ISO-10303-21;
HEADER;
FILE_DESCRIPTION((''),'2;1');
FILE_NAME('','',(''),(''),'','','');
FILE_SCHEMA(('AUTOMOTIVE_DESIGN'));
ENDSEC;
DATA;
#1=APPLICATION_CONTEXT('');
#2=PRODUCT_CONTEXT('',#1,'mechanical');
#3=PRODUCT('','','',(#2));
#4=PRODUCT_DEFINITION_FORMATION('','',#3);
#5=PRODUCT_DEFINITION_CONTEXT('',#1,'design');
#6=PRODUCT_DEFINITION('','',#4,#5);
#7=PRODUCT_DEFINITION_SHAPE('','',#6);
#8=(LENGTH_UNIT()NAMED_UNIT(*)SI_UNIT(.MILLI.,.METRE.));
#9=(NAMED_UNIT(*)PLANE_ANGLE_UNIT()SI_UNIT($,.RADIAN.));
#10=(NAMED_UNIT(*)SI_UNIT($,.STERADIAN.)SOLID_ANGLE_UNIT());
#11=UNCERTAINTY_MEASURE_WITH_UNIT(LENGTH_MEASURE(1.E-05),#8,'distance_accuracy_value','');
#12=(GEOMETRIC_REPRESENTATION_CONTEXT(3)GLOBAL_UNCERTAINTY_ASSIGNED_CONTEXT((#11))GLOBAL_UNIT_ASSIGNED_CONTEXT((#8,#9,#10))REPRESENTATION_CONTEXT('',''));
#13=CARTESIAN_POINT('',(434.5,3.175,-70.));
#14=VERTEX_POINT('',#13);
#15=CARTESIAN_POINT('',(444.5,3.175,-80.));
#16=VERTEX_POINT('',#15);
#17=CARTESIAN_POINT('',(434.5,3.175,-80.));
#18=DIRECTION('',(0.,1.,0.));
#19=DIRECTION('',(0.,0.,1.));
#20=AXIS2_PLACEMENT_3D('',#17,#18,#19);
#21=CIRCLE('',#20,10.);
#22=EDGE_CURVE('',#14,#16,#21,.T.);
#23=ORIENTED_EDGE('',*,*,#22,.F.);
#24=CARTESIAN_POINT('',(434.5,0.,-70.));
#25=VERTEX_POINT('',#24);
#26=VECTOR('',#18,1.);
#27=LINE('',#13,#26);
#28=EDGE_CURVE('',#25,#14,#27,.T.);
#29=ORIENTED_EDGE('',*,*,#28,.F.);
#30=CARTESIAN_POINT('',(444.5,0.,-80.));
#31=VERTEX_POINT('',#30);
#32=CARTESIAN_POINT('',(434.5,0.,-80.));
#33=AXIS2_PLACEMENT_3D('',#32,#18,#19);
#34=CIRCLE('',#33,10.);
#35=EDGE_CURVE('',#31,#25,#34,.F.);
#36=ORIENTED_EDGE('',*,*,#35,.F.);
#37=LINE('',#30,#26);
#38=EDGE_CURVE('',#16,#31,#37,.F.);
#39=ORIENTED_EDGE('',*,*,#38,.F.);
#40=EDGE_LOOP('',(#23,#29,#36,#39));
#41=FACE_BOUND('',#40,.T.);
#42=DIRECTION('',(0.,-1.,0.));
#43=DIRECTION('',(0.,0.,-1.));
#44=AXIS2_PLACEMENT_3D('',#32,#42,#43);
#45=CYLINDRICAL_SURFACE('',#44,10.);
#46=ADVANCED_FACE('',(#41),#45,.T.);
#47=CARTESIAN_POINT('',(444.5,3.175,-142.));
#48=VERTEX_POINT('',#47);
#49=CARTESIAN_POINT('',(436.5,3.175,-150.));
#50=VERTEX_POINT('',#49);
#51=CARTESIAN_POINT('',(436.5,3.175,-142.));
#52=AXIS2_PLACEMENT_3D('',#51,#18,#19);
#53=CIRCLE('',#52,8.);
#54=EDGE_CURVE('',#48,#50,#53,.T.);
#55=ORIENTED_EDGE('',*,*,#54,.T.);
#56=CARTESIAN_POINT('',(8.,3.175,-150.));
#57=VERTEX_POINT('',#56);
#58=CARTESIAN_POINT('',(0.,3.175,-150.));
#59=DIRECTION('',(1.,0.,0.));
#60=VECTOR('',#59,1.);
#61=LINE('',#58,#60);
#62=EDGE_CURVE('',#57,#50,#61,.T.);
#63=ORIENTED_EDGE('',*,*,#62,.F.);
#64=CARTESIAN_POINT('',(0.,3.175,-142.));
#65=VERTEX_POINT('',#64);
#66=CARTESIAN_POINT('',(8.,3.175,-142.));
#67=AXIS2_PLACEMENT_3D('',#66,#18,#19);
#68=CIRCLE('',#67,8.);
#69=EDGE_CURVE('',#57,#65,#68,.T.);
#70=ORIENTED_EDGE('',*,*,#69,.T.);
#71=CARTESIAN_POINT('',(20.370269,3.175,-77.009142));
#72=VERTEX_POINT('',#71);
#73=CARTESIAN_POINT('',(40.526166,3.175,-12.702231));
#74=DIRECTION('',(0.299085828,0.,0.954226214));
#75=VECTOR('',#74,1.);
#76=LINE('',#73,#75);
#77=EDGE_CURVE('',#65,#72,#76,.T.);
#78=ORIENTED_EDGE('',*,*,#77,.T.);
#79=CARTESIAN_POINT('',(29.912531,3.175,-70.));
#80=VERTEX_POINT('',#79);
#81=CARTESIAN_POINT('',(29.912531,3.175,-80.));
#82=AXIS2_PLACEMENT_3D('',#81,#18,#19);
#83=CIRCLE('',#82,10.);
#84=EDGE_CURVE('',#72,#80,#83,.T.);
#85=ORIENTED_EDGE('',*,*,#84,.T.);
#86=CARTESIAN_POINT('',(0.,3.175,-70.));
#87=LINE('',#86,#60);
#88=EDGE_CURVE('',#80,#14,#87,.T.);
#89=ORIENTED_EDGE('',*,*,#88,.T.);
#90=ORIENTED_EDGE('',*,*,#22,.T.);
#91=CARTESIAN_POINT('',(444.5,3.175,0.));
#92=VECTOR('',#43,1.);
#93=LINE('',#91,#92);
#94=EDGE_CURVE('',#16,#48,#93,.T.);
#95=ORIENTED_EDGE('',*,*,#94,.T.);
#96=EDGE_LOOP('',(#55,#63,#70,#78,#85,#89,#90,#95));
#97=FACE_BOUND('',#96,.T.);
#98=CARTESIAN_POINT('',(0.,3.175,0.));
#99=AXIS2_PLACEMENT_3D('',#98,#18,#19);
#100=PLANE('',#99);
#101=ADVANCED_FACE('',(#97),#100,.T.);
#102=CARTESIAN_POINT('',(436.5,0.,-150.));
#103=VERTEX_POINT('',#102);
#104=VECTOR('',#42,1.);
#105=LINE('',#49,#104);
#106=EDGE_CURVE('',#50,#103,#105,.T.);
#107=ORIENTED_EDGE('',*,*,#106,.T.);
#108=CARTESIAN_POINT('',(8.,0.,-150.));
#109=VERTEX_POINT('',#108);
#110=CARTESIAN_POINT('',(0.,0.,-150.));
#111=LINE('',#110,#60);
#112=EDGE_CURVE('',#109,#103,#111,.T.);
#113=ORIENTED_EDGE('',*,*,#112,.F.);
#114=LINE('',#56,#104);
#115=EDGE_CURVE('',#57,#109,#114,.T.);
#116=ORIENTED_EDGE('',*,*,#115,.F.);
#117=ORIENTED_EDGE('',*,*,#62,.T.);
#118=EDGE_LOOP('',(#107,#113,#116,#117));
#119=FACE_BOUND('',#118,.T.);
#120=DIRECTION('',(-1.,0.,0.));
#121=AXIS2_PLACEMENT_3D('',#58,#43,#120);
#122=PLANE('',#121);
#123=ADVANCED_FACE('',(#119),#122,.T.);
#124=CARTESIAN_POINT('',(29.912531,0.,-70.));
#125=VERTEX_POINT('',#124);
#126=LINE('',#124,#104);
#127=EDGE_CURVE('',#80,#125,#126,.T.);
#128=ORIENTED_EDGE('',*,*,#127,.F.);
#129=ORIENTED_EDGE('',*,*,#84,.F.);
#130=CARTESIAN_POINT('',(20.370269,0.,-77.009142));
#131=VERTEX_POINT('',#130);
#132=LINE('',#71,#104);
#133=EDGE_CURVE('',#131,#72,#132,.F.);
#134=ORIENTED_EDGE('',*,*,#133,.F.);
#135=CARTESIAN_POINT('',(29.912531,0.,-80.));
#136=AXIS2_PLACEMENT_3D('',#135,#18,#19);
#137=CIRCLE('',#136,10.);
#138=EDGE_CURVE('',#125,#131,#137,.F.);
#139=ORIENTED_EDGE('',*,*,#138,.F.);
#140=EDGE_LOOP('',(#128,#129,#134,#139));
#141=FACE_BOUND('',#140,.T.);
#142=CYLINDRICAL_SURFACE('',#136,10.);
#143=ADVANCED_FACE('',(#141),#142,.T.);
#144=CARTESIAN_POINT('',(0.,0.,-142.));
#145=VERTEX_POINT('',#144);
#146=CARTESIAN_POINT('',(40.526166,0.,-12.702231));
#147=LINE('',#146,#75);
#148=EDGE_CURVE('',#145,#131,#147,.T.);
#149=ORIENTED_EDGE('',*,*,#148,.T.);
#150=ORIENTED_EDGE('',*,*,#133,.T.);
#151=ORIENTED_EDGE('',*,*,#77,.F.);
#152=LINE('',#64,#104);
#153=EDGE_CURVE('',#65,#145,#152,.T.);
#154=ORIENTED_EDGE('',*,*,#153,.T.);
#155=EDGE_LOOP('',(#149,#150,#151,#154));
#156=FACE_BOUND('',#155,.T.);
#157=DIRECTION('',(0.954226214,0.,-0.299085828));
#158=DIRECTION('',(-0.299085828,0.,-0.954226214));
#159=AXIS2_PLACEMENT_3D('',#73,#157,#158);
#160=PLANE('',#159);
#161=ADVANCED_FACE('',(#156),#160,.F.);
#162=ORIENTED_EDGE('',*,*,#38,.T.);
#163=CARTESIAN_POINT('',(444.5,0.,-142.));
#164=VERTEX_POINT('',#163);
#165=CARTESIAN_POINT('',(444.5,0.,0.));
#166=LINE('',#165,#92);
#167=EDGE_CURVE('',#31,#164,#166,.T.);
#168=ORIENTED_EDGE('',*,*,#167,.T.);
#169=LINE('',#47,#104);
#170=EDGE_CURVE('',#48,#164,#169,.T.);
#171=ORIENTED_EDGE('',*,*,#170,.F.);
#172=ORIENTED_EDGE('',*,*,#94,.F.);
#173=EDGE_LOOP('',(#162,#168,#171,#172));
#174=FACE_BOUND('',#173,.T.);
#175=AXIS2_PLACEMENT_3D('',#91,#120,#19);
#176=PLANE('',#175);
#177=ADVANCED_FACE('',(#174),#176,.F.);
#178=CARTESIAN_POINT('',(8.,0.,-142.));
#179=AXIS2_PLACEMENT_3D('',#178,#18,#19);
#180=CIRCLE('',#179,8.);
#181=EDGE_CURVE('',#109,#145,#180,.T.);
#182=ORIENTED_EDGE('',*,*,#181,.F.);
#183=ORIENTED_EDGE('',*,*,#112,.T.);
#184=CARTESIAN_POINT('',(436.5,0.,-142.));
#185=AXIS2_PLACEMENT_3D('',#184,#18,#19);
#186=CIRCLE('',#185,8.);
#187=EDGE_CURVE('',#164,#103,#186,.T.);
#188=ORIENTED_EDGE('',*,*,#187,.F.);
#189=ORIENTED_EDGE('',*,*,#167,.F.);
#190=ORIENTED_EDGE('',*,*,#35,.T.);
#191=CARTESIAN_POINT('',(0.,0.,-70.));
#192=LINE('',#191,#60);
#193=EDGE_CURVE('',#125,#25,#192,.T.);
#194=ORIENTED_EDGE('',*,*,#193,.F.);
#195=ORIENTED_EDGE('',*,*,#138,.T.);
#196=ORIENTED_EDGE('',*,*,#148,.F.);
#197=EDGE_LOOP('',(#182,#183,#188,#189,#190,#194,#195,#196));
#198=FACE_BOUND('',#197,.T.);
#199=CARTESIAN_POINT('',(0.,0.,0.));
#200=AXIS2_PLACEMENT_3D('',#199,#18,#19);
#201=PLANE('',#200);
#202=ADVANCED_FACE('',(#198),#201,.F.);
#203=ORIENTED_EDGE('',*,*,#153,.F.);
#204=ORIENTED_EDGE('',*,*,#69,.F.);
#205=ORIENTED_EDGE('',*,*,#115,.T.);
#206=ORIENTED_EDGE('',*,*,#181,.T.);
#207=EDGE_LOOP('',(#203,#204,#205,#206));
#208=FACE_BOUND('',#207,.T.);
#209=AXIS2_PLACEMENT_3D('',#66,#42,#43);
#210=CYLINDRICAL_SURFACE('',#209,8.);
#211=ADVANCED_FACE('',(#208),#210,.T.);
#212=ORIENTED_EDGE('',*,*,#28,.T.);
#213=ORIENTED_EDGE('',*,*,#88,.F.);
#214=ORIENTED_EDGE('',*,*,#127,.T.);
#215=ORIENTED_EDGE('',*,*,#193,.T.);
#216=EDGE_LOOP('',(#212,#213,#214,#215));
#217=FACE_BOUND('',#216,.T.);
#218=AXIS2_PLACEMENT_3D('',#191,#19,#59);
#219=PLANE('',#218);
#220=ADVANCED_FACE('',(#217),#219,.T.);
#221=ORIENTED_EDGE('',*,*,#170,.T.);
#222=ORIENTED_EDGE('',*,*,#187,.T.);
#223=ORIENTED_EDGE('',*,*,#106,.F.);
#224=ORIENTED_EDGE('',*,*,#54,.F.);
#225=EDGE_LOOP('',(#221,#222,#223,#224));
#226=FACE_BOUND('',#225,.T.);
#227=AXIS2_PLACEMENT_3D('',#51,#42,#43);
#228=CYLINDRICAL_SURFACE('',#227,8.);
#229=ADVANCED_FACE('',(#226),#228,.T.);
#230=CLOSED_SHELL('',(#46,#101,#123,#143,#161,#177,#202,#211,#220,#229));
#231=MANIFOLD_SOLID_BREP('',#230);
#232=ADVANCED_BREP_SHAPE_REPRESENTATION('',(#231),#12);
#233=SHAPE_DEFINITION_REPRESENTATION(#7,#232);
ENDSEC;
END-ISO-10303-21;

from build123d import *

# Parameters (mm, degrees)
BOSS_EXTRUDE1_DEPTH = 3.175
SKETCH2_W           = 597.466303312
SKETCH2_H           = 60.972543052
CUT_EXTRUDE1_DEPTH  = 70
FILLET1_R           = 10
FILLET2_R           = 10


with BuildPart() as part:
    # Sketch1 → Boss-Extrude1 (new body)
    with BuildSketch(Plane(origin=(0, 0, 0), x_dir=(1, 0, 0), z_dir=(0, 1, 0))):
        with BuildLine():
            ThreePointArc((8, 150), (2.343145751, 147.656854249), (0, 142))
            Line((0, 142), (42, 8))
            ThreePointArc((42, 8), (44.343145751, 2.343145751), (50, 0))
            Line((50, 0), (436.5, 0))
            ThreePointArc((436.5, 0), (442.156854249, 2.343145751), (444.5, 8))
            Line((444.5, 8), (444.5, 142))
            ThreePointArc((444.5, 142), (442.156854249, 147.656854249), (436.5, 150))
            Line((436.5, 150), (8, 150))
        make_face()
    extrude(amount=BOSS_EXTRUDE1_DEPTH)

    # Sketch2 → Cut-Extrude1 (cut)
    with BuildSketch(Plane.XY):
        with Locations((220.1785332, 7.544358636)):
            Rectangle(SKETCH2_W, SKETCH2_H)
    extrude(amount=-CUT_EXTRUDE1_DEPTH, mode=Mode.SUBTRACT)

    # Fillet1
    fillet1_edges = [part.edges().sort_by_distance(p)[0] for p in [
        (22.567164179, 1.5875, -70),
    ]]
    fillet(fillet1_edges, radius=FILLET1_R)

    # Fillet2
    fillet2_edges = [part.edges().sort_by_distance(p)[0] for p in [
        (444.5, 1.5875, -70),
    ]]
    fillet(fillet2_edges, radius=FILLET2_R)


solid = part.part
